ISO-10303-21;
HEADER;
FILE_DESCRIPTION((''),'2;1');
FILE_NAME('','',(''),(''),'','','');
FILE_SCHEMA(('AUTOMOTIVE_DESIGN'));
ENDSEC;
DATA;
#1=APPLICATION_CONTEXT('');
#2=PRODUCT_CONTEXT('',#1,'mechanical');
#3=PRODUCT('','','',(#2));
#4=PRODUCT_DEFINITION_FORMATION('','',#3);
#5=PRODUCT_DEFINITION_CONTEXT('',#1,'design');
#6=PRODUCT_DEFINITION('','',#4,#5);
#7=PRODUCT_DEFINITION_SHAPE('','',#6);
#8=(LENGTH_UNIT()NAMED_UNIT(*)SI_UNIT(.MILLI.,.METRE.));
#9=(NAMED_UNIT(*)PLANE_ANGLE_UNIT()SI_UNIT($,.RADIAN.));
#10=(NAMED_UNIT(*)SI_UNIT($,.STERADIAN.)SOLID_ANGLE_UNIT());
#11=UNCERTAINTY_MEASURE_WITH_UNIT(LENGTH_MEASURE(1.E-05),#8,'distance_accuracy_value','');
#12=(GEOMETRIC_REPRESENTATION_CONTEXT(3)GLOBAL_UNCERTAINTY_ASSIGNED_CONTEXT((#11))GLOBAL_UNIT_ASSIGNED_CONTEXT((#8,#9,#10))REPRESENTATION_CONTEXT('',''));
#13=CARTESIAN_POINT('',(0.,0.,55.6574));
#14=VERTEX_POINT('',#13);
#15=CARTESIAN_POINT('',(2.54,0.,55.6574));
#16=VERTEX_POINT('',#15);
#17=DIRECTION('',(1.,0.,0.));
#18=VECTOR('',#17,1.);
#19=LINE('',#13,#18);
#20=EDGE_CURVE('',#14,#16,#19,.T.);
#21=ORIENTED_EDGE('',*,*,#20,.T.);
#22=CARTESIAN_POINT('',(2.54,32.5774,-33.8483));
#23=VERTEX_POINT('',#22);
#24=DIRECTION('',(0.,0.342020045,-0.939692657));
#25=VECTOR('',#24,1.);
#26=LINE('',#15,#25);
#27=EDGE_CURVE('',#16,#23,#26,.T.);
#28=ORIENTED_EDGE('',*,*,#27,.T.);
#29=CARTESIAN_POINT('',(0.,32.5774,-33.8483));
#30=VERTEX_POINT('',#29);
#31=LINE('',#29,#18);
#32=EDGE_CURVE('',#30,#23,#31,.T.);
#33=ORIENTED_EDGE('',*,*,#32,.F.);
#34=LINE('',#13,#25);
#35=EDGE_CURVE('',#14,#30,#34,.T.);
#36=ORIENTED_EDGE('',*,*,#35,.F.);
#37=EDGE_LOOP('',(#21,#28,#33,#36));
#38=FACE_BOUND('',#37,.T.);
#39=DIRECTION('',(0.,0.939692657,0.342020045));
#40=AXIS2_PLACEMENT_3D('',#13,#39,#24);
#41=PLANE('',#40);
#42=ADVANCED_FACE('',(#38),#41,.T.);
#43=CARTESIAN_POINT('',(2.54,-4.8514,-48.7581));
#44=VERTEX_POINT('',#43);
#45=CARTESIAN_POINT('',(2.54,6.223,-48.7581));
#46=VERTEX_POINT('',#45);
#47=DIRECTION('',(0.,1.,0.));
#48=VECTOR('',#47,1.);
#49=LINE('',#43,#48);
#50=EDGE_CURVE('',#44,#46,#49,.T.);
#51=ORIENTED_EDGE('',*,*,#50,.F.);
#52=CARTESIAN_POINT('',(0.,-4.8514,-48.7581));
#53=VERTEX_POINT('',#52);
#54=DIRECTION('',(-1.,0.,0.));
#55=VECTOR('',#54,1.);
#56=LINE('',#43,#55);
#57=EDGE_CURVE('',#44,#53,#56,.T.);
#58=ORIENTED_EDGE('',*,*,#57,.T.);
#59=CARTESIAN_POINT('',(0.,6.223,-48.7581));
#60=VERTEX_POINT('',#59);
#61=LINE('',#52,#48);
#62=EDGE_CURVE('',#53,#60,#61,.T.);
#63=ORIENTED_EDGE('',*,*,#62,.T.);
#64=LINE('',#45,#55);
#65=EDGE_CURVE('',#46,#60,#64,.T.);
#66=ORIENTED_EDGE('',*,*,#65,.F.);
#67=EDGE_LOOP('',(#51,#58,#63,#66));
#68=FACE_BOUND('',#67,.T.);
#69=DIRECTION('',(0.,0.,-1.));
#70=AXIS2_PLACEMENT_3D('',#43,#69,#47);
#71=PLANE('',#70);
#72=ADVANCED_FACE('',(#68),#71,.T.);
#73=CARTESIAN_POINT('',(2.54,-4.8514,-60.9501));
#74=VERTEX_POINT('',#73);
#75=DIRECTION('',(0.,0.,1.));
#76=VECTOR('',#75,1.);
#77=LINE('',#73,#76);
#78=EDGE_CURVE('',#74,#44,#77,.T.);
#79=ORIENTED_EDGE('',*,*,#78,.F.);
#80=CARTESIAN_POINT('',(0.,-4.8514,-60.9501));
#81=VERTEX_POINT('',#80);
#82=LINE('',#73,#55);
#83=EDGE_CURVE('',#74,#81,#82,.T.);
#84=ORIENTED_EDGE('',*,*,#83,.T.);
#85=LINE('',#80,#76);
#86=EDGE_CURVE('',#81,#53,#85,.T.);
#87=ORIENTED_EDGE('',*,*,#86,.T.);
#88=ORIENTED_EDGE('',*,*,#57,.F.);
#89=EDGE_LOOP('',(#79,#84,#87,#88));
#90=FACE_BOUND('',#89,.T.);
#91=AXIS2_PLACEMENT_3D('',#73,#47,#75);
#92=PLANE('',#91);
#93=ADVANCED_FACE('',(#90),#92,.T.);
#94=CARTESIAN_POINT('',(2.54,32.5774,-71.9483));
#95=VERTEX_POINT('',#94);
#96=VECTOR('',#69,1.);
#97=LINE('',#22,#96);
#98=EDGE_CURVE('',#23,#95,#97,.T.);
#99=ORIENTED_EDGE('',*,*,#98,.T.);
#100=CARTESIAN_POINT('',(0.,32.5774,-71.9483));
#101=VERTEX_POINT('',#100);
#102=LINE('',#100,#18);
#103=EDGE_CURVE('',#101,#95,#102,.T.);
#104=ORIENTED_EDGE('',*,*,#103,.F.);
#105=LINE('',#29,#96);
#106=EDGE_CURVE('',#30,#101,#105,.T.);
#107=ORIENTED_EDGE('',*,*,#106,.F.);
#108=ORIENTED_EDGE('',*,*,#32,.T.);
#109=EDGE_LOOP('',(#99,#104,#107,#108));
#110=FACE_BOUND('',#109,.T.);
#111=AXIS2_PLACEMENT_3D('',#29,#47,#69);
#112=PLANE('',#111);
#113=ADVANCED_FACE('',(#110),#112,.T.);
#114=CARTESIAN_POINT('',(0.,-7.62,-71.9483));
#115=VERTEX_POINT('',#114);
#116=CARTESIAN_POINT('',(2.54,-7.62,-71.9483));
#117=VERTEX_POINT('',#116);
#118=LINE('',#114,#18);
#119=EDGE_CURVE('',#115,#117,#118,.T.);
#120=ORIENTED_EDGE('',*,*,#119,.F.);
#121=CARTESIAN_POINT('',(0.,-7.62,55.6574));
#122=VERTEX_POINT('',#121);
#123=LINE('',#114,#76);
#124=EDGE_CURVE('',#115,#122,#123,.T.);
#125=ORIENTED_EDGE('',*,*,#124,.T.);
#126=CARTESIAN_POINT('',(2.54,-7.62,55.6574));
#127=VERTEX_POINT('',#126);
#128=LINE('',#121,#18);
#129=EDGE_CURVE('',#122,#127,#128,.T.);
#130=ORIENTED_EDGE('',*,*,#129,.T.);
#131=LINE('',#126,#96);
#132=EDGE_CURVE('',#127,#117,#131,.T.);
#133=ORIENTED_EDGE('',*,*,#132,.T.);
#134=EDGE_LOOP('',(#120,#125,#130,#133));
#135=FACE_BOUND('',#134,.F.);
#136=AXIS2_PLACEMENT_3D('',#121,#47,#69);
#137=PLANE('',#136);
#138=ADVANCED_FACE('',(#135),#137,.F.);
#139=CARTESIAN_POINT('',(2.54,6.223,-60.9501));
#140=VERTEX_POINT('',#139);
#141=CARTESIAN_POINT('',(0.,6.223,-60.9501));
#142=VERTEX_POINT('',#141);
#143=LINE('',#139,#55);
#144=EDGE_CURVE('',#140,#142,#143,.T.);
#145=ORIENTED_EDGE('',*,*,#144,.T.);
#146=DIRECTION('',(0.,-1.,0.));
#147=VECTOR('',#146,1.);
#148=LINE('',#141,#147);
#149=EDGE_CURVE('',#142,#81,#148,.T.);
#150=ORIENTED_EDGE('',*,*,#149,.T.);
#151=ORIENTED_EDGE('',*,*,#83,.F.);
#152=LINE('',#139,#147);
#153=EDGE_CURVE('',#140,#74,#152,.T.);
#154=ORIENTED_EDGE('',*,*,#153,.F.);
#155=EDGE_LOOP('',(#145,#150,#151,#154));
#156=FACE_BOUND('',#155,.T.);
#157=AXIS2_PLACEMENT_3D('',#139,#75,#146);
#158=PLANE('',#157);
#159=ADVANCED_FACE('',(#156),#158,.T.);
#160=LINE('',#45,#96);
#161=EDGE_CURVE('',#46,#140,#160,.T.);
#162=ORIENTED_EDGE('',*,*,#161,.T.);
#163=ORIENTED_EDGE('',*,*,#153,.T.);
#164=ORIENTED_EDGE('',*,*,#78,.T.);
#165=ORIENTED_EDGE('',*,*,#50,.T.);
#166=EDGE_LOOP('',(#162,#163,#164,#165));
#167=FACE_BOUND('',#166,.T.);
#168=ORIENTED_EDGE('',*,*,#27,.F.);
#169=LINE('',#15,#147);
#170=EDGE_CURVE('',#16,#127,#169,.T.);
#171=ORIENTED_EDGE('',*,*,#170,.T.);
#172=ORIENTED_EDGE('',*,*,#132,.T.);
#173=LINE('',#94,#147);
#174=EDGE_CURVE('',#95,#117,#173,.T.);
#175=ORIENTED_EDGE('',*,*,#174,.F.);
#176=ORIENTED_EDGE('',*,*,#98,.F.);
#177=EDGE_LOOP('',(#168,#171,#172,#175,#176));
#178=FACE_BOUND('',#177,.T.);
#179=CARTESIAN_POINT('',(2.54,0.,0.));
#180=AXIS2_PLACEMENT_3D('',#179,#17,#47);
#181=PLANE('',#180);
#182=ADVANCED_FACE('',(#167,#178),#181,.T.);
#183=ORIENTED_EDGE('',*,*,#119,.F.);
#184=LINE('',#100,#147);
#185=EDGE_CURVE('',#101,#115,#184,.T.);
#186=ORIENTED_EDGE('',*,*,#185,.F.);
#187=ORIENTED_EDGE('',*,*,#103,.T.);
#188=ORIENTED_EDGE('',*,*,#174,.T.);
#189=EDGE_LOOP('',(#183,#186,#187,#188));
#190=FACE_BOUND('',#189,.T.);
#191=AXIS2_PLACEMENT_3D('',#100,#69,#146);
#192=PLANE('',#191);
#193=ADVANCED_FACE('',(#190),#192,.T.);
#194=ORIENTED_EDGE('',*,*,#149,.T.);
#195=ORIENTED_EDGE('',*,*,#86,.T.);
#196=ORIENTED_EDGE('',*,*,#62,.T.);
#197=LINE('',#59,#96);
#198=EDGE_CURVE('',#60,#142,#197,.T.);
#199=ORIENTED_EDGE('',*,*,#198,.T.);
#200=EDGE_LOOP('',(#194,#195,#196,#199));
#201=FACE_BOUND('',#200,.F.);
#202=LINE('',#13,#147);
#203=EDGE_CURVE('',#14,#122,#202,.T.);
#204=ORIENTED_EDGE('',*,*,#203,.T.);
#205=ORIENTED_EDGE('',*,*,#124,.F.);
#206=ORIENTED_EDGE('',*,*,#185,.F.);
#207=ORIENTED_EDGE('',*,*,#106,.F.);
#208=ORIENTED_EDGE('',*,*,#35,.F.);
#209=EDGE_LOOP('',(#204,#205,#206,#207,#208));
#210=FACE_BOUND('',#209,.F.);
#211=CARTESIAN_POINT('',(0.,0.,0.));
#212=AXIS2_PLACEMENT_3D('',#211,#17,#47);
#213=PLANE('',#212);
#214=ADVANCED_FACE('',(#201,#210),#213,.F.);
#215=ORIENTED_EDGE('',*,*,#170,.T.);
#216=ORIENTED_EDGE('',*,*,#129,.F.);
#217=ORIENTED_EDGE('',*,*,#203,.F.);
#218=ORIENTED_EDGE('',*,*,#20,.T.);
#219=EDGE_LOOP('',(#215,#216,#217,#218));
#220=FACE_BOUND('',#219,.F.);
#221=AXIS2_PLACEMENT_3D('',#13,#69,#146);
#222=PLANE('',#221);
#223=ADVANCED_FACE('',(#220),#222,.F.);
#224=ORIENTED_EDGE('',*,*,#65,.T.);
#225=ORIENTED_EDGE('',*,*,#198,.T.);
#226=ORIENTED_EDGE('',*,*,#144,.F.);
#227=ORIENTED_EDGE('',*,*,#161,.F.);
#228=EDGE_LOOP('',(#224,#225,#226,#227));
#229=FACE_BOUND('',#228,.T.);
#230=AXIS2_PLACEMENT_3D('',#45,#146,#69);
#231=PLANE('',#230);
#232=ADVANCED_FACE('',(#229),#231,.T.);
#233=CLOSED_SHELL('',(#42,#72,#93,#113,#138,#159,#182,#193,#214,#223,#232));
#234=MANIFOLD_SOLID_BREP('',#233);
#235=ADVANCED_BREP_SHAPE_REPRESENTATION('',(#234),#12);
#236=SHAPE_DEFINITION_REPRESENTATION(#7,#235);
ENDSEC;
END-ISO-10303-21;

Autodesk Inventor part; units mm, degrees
ref_plane "YZ Plane" through (0, 0, 0) normal (1, 0, 0) x (0, 1, 0)
ref_plane "XZ Plane" through (0, 0, 0) normal (0, 1, 0) x (-1, 0, 0)
ref_plane "XY Plane" through (0, 0, 0) normal (0, 0, 1) x (1, 0, 0)
sketch "Sketch1" plane through (0, 0, 0) normal (1, 0, 0) x (0, 1, 0)
  line L0 (0, 55.6574) -> (32.5774, -33.8483)
  line L1 (0, 55.6574) -> (-7.62, 55.6574)
  line L2 (-7.62, 55.6574) -> (-7.62, -33.8483)
  line L3 (32.5774, -33.8483) -> (32.5774, -71.9483)
  line L4 (32.5774, -71.9483) -> (-7.62, -71.9483)
  line L5 (-7.62, -71.9483) -> (-7.62, -33.8483)
  point P0 (0, 0)
  dimension "d1" = 95.25
  dimension "d4" = 20
  dimension "d5" = 7.62
  dimension "d6" = 38.1
extrude "Extrusion1" add sketch "Sketch1" along normal blind 2.54
sketch "Sketch2" plane through (2.54, 0, 0) normal (1, 0, 0) x (0, 0, -1)
  line L0 (48.7581, 6.223) -> (60.9501, 6.223)
  line L1 (60.9501, 6.223) -> (60.9501, -4.8514)
  line L2 (60.9501, -4.8514) -> (48.7581, -4.8514)
  line L3 (48.7581, -4.8514) -> (48.7581, 6.223)
  line L4 (-55.6574, -7.62) -> (71.9483, -7.62) projected
  line L5 (71.9483, -7.62) -> (71.9483, 32.5774) projected
  point P0 (0, 0)
  dimension "d7" = 12.192
  dimension "d8" = 11.0744
  dimension "d11" = 2.7686
  dimension "d12" = 10.9982
extrude "Extrusion2" cut sketch "Sketch2" against normal blind 2.54
properties part number "sideWithHole"
